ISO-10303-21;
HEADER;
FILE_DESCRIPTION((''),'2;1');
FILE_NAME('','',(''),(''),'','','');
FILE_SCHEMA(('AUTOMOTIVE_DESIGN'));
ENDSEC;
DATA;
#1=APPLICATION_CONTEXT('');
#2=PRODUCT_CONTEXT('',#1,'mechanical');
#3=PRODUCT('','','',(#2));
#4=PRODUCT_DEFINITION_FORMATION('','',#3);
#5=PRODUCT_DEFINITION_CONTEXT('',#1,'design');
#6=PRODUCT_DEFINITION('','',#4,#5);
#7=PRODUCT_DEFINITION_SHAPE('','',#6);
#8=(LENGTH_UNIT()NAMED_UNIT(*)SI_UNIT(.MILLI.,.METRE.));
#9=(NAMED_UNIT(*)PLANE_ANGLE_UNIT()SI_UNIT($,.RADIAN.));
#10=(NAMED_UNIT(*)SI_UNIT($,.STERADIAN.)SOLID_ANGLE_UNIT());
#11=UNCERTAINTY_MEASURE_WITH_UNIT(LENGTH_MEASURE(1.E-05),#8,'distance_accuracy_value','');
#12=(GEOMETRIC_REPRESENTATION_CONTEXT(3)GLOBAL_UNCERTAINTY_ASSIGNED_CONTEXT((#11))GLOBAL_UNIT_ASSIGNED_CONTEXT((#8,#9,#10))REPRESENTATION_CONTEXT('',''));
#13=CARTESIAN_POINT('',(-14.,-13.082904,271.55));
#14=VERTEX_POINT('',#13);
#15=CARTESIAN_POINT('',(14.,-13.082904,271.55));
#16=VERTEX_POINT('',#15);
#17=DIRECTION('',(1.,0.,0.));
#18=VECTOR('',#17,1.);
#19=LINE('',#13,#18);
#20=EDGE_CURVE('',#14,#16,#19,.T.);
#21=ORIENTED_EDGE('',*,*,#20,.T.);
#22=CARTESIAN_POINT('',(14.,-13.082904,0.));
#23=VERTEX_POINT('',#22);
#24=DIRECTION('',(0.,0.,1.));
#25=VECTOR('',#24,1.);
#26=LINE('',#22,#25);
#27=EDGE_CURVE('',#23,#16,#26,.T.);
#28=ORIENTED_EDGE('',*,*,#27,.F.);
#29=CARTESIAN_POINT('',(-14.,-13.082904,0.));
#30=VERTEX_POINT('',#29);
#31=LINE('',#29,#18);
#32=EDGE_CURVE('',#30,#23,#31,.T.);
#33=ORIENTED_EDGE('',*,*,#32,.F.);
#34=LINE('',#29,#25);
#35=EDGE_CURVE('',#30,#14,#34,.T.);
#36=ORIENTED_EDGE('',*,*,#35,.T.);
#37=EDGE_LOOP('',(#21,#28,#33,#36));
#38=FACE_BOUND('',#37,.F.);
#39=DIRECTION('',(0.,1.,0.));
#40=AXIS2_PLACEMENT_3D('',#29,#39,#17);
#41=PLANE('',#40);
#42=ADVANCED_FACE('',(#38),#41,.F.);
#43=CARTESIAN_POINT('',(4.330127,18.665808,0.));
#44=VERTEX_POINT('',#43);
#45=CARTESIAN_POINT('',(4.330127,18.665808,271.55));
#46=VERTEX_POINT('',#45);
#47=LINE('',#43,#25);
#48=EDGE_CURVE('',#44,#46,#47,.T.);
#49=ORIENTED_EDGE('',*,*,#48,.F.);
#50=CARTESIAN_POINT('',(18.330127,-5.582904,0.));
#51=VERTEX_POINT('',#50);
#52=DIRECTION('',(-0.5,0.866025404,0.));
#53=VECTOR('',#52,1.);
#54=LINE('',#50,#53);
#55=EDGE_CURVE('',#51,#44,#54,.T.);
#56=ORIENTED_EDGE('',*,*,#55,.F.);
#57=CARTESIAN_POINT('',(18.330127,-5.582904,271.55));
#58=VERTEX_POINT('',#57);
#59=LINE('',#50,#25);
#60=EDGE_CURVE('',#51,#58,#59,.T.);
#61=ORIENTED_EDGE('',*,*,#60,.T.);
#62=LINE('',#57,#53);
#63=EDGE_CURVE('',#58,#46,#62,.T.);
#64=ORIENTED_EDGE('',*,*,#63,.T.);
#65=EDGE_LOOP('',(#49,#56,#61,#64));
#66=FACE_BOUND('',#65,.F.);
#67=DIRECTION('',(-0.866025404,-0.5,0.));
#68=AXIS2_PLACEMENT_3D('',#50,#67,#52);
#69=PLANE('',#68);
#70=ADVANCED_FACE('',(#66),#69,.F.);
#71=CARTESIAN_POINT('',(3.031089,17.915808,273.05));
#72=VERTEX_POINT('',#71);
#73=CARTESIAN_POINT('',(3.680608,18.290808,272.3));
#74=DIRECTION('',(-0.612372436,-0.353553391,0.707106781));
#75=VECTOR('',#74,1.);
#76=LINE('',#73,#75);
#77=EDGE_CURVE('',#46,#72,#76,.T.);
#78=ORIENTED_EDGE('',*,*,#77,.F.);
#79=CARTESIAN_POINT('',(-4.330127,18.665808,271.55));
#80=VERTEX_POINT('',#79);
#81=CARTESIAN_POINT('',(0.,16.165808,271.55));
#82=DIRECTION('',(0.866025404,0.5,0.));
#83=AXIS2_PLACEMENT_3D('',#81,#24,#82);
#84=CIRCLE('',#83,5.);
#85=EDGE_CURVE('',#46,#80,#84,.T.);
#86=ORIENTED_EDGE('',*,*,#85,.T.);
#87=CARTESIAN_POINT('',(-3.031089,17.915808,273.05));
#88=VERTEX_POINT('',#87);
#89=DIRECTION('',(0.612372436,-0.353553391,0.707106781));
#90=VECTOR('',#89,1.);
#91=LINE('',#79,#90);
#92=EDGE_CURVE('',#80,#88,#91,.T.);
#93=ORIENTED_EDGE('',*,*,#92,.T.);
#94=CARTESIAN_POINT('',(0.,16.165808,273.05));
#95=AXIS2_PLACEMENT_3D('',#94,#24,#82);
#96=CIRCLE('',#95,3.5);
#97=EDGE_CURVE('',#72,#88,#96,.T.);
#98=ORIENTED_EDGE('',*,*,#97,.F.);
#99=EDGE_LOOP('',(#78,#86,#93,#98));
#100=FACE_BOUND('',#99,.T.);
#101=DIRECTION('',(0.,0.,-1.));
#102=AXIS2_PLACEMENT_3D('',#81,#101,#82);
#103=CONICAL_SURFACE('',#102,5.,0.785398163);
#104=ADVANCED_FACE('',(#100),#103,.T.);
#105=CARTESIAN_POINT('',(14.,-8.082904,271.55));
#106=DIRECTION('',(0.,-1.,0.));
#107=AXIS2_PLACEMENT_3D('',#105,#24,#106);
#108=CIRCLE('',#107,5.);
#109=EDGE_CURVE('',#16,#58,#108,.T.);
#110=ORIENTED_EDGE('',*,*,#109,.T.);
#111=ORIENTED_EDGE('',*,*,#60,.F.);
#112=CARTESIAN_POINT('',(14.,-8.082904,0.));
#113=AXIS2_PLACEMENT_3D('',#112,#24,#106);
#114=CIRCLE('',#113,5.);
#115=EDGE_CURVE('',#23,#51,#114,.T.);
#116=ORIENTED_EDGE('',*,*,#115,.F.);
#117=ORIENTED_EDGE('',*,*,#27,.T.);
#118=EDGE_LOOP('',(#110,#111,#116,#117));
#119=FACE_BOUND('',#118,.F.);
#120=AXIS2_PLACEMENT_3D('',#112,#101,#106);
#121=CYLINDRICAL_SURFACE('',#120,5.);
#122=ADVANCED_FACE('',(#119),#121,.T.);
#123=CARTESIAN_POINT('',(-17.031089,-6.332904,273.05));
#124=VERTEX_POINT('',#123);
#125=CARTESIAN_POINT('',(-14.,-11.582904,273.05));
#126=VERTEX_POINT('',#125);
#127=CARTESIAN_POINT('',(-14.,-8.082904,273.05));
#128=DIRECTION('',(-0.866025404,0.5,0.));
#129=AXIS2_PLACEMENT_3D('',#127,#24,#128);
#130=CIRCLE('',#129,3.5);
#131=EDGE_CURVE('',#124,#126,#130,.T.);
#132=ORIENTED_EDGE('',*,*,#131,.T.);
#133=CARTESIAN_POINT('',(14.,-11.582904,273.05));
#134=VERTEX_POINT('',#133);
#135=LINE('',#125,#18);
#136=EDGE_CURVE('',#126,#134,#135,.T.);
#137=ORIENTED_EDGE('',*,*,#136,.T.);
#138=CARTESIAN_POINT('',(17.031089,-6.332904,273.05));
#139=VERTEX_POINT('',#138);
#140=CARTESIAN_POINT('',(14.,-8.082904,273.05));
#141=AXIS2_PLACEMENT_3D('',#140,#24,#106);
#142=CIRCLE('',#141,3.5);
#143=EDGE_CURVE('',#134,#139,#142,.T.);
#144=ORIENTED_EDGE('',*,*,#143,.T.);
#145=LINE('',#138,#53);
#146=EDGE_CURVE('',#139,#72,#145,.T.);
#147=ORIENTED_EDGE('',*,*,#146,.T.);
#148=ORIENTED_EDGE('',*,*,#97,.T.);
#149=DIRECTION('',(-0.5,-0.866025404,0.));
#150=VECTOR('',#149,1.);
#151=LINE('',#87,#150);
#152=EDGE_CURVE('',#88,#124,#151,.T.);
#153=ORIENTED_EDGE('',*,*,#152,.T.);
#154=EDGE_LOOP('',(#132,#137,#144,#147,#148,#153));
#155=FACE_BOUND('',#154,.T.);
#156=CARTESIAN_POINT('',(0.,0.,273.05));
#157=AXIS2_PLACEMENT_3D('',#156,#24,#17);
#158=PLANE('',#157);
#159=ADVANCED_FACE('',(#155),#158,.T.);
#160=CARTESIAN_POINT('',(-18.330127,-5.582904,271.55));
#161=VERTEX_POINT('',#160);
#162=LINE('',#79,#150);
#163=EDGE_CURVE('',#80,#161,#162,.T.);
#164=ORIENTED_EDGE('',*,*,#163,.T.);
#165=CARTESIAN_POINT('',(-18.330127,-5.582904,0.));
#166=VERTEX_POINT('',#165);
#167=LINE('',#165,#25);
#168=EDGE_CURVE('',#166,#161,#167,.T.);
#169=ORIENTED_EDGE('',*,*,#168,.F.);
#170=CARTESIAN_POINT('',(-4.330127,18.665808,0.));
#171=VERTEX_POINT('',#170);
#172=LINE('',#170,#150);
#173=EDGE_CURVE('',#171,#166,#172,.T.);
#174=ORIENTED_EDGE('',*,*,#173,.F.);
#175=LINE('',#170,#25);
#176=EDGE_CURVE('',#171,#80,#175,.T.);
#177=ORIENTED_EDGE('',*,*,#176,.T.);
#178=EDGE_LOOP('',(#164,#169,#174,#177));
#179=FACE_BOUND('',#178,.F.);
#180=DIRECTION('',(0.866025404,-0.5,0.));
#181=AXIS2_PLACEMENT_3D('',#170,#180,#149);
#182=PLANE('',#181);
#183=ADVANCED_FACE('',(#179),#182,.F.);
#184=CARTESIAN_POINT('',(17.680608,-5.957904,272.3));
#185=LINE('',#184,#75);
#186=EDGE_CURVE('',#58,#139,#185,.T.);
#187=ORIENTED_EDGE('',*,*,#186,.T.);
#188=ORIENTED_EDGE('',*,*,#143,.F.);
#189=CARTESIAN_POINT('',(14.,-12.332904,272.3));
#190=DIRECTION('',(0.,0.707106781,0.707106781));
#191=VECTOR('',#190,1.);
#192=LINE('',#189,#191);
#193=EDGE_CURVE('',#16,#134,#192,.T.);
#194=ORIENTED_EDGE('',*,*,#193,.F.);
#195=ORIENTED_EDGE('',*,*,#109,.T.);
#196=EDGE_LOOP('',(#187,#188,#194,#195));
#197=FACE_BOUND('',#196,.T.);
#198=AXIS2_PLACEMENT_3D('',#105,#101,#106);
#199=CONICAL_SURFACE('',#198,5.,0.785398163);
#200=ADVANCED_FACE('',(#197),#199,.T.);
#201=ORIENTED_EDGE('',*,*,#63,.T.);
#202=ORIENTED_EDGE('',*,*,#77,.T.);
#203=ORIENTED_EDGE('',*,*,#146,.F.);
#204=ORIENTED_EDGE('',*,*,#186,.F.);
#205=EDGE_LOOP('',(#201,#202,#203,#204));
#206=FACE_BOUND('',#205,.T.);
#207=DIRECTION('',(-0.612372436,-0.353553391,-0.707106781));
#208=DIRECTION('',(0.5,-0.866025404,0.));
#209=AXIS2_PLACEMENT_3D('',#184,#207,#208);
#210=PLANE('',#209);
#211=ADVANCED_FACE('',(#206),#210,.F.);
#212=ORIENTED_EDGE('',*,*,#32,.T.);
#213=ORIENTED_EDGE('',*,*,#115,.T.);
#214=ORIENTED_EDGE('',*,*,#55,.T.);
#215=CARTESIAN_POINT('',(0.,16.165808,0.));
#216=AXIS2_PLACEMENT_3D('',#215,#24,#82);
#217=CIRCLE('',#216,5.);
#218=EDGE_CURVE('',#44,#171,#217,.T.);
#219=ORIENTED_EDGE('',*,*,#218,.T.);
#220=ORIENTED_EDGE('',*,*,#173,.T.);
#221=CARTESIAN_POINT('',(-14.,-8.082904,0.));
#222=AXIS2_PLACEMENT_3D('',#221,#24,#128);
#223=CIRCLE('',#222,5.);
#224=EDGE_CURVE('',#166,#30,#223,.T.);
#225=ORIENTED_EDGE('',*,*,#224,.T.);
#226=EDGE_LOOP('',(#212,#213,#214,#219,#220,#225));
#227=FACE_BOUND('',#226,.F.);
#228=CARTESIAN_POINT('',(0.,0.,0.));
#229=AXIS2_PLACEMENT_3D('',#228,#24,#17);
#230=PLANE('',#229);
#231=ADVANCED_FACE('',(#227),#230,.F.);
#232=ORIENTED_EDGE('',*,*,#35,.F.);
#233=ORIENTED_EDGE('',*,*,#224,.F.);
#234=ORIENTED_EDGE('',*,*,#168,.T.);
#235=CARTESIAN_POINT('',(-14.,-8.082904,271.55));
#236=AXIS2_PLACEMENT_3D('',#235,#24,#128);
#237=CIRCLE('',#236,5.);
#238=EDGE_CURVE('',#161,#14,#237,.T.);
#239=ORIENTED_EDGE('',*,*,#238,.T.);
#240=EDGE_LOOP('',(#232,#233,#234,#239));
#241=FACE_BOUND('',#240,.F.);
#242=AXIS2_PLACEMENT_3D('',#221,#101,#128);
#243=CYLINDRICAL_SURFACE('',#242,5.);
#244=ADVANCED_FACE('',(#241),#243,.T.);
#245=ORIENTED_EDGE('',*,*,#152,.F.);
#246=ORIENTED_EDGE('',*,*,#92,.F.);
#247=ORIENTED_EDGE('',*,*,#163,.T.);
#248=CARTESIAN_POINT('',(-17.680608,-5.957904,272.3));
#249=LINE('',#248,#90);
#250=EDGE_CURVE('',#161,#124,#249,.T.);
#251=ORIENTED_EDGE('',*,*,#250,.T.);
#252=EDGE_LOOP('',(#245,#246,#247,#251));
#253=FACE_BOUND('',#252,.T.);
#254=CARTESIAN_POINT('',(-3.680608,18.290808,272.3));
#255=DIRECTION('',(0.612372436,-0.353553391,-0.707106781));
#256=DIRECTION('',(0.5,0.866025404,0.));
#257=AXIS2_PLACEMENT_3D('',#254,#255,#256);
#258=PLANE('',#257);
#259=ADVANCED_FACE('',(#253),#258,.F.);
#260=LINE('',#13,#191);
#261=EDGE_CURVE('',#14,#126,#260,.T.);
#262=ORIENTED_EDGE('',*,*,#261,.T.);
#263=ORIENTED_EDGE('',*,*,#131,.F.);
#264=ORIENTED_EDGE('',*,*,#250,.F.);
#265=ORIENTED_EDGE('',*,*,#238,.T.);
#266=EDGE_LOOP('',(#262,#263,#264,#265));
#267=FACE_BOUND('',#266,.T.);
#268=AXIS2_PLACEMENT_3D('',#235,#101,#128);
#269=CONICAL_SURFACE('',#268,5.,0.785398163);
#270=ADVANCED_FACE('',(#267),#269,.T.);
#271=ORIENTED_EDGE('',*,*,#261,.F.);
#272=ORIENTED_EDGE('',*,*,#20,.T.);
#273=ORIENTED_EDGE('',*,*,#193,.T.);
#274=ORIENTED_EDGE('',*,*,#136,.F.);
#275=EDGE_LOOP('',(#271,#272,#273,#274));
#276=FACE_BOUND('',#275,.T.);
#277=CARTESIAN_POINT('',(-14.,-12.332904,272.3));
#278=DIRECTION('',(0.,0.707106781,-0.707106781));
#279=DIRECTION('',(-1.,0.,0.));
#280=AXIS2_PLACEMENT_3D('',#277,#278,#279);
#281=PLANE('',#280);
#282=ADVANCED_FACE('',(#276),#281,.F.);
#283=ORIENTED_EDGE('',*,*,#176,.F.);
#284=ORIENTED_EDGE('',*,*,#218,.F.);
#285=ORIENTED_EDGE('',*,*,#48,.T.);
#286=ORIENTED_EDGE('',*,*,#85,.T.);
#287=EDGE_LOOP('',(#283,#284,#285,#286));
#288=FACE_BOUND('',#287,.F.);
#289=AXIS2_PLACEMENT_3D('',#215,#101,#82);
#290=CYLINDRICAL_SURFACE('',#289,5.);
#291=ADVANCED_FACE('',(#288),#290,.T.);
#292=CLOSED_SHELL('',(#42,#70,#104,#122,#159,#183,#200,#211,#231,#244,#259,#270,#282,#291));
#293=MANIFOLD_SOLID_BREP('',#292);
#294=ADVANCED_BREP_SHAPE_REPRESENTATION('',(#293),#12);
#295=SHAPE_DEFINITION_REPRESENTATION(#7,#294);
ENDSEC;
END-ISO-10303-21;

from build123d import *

# Parameters (mm, degrees)
F2_DEPTH = 273.05
F3_SIZE  = 1.5


with BuildPart() as f2:
    # F1 (on Top) → F2 (new body)
    with BuildSketch(Plane.XY):
        with BuildLine():
            Line((18.3301270189, -5.5829037687), (4.3301270189, 18.6658075373))
            ThreePointArc((4.3301270189, 18.6658075373), (0, 21.1658075373), (-4.3301270189, 18.6658075373))
            Line((-4.3301270189, 18.6658075373), (-18.3301270189, -5.5829037687))
            ThreePointArc((-18.3301270189, -5.5829037687), (-18.3301270189, -10.5829037687), (-14, -13.0829037687))
            Line((-14, -13.0829037687), (14, -13.0829037687))
            ThreePointArc((14, -13.0829037687), (18.3301270189, -10.5829037687), (18.3301270189, -5.5829037687))
        make_face()
    extrude(amount=F2_DEPTH)

    # F3
    f3_edges = [f2.edges().sort_by_distance(p)[0] for p in [
        (11.330127, 6.541452, 273.05),
        (0, 21.165808, 273.05),
        (-11.330127, 6.541452, 273.05),
        (-18.330127, -10.582904, 273.05),
        (0, -13.082904, 273.05),
        (18.330127, -10.582904, 273.05),
    ]]
    chamfer(f3_edges, length=F3_SIZE)


solid = f2.part
